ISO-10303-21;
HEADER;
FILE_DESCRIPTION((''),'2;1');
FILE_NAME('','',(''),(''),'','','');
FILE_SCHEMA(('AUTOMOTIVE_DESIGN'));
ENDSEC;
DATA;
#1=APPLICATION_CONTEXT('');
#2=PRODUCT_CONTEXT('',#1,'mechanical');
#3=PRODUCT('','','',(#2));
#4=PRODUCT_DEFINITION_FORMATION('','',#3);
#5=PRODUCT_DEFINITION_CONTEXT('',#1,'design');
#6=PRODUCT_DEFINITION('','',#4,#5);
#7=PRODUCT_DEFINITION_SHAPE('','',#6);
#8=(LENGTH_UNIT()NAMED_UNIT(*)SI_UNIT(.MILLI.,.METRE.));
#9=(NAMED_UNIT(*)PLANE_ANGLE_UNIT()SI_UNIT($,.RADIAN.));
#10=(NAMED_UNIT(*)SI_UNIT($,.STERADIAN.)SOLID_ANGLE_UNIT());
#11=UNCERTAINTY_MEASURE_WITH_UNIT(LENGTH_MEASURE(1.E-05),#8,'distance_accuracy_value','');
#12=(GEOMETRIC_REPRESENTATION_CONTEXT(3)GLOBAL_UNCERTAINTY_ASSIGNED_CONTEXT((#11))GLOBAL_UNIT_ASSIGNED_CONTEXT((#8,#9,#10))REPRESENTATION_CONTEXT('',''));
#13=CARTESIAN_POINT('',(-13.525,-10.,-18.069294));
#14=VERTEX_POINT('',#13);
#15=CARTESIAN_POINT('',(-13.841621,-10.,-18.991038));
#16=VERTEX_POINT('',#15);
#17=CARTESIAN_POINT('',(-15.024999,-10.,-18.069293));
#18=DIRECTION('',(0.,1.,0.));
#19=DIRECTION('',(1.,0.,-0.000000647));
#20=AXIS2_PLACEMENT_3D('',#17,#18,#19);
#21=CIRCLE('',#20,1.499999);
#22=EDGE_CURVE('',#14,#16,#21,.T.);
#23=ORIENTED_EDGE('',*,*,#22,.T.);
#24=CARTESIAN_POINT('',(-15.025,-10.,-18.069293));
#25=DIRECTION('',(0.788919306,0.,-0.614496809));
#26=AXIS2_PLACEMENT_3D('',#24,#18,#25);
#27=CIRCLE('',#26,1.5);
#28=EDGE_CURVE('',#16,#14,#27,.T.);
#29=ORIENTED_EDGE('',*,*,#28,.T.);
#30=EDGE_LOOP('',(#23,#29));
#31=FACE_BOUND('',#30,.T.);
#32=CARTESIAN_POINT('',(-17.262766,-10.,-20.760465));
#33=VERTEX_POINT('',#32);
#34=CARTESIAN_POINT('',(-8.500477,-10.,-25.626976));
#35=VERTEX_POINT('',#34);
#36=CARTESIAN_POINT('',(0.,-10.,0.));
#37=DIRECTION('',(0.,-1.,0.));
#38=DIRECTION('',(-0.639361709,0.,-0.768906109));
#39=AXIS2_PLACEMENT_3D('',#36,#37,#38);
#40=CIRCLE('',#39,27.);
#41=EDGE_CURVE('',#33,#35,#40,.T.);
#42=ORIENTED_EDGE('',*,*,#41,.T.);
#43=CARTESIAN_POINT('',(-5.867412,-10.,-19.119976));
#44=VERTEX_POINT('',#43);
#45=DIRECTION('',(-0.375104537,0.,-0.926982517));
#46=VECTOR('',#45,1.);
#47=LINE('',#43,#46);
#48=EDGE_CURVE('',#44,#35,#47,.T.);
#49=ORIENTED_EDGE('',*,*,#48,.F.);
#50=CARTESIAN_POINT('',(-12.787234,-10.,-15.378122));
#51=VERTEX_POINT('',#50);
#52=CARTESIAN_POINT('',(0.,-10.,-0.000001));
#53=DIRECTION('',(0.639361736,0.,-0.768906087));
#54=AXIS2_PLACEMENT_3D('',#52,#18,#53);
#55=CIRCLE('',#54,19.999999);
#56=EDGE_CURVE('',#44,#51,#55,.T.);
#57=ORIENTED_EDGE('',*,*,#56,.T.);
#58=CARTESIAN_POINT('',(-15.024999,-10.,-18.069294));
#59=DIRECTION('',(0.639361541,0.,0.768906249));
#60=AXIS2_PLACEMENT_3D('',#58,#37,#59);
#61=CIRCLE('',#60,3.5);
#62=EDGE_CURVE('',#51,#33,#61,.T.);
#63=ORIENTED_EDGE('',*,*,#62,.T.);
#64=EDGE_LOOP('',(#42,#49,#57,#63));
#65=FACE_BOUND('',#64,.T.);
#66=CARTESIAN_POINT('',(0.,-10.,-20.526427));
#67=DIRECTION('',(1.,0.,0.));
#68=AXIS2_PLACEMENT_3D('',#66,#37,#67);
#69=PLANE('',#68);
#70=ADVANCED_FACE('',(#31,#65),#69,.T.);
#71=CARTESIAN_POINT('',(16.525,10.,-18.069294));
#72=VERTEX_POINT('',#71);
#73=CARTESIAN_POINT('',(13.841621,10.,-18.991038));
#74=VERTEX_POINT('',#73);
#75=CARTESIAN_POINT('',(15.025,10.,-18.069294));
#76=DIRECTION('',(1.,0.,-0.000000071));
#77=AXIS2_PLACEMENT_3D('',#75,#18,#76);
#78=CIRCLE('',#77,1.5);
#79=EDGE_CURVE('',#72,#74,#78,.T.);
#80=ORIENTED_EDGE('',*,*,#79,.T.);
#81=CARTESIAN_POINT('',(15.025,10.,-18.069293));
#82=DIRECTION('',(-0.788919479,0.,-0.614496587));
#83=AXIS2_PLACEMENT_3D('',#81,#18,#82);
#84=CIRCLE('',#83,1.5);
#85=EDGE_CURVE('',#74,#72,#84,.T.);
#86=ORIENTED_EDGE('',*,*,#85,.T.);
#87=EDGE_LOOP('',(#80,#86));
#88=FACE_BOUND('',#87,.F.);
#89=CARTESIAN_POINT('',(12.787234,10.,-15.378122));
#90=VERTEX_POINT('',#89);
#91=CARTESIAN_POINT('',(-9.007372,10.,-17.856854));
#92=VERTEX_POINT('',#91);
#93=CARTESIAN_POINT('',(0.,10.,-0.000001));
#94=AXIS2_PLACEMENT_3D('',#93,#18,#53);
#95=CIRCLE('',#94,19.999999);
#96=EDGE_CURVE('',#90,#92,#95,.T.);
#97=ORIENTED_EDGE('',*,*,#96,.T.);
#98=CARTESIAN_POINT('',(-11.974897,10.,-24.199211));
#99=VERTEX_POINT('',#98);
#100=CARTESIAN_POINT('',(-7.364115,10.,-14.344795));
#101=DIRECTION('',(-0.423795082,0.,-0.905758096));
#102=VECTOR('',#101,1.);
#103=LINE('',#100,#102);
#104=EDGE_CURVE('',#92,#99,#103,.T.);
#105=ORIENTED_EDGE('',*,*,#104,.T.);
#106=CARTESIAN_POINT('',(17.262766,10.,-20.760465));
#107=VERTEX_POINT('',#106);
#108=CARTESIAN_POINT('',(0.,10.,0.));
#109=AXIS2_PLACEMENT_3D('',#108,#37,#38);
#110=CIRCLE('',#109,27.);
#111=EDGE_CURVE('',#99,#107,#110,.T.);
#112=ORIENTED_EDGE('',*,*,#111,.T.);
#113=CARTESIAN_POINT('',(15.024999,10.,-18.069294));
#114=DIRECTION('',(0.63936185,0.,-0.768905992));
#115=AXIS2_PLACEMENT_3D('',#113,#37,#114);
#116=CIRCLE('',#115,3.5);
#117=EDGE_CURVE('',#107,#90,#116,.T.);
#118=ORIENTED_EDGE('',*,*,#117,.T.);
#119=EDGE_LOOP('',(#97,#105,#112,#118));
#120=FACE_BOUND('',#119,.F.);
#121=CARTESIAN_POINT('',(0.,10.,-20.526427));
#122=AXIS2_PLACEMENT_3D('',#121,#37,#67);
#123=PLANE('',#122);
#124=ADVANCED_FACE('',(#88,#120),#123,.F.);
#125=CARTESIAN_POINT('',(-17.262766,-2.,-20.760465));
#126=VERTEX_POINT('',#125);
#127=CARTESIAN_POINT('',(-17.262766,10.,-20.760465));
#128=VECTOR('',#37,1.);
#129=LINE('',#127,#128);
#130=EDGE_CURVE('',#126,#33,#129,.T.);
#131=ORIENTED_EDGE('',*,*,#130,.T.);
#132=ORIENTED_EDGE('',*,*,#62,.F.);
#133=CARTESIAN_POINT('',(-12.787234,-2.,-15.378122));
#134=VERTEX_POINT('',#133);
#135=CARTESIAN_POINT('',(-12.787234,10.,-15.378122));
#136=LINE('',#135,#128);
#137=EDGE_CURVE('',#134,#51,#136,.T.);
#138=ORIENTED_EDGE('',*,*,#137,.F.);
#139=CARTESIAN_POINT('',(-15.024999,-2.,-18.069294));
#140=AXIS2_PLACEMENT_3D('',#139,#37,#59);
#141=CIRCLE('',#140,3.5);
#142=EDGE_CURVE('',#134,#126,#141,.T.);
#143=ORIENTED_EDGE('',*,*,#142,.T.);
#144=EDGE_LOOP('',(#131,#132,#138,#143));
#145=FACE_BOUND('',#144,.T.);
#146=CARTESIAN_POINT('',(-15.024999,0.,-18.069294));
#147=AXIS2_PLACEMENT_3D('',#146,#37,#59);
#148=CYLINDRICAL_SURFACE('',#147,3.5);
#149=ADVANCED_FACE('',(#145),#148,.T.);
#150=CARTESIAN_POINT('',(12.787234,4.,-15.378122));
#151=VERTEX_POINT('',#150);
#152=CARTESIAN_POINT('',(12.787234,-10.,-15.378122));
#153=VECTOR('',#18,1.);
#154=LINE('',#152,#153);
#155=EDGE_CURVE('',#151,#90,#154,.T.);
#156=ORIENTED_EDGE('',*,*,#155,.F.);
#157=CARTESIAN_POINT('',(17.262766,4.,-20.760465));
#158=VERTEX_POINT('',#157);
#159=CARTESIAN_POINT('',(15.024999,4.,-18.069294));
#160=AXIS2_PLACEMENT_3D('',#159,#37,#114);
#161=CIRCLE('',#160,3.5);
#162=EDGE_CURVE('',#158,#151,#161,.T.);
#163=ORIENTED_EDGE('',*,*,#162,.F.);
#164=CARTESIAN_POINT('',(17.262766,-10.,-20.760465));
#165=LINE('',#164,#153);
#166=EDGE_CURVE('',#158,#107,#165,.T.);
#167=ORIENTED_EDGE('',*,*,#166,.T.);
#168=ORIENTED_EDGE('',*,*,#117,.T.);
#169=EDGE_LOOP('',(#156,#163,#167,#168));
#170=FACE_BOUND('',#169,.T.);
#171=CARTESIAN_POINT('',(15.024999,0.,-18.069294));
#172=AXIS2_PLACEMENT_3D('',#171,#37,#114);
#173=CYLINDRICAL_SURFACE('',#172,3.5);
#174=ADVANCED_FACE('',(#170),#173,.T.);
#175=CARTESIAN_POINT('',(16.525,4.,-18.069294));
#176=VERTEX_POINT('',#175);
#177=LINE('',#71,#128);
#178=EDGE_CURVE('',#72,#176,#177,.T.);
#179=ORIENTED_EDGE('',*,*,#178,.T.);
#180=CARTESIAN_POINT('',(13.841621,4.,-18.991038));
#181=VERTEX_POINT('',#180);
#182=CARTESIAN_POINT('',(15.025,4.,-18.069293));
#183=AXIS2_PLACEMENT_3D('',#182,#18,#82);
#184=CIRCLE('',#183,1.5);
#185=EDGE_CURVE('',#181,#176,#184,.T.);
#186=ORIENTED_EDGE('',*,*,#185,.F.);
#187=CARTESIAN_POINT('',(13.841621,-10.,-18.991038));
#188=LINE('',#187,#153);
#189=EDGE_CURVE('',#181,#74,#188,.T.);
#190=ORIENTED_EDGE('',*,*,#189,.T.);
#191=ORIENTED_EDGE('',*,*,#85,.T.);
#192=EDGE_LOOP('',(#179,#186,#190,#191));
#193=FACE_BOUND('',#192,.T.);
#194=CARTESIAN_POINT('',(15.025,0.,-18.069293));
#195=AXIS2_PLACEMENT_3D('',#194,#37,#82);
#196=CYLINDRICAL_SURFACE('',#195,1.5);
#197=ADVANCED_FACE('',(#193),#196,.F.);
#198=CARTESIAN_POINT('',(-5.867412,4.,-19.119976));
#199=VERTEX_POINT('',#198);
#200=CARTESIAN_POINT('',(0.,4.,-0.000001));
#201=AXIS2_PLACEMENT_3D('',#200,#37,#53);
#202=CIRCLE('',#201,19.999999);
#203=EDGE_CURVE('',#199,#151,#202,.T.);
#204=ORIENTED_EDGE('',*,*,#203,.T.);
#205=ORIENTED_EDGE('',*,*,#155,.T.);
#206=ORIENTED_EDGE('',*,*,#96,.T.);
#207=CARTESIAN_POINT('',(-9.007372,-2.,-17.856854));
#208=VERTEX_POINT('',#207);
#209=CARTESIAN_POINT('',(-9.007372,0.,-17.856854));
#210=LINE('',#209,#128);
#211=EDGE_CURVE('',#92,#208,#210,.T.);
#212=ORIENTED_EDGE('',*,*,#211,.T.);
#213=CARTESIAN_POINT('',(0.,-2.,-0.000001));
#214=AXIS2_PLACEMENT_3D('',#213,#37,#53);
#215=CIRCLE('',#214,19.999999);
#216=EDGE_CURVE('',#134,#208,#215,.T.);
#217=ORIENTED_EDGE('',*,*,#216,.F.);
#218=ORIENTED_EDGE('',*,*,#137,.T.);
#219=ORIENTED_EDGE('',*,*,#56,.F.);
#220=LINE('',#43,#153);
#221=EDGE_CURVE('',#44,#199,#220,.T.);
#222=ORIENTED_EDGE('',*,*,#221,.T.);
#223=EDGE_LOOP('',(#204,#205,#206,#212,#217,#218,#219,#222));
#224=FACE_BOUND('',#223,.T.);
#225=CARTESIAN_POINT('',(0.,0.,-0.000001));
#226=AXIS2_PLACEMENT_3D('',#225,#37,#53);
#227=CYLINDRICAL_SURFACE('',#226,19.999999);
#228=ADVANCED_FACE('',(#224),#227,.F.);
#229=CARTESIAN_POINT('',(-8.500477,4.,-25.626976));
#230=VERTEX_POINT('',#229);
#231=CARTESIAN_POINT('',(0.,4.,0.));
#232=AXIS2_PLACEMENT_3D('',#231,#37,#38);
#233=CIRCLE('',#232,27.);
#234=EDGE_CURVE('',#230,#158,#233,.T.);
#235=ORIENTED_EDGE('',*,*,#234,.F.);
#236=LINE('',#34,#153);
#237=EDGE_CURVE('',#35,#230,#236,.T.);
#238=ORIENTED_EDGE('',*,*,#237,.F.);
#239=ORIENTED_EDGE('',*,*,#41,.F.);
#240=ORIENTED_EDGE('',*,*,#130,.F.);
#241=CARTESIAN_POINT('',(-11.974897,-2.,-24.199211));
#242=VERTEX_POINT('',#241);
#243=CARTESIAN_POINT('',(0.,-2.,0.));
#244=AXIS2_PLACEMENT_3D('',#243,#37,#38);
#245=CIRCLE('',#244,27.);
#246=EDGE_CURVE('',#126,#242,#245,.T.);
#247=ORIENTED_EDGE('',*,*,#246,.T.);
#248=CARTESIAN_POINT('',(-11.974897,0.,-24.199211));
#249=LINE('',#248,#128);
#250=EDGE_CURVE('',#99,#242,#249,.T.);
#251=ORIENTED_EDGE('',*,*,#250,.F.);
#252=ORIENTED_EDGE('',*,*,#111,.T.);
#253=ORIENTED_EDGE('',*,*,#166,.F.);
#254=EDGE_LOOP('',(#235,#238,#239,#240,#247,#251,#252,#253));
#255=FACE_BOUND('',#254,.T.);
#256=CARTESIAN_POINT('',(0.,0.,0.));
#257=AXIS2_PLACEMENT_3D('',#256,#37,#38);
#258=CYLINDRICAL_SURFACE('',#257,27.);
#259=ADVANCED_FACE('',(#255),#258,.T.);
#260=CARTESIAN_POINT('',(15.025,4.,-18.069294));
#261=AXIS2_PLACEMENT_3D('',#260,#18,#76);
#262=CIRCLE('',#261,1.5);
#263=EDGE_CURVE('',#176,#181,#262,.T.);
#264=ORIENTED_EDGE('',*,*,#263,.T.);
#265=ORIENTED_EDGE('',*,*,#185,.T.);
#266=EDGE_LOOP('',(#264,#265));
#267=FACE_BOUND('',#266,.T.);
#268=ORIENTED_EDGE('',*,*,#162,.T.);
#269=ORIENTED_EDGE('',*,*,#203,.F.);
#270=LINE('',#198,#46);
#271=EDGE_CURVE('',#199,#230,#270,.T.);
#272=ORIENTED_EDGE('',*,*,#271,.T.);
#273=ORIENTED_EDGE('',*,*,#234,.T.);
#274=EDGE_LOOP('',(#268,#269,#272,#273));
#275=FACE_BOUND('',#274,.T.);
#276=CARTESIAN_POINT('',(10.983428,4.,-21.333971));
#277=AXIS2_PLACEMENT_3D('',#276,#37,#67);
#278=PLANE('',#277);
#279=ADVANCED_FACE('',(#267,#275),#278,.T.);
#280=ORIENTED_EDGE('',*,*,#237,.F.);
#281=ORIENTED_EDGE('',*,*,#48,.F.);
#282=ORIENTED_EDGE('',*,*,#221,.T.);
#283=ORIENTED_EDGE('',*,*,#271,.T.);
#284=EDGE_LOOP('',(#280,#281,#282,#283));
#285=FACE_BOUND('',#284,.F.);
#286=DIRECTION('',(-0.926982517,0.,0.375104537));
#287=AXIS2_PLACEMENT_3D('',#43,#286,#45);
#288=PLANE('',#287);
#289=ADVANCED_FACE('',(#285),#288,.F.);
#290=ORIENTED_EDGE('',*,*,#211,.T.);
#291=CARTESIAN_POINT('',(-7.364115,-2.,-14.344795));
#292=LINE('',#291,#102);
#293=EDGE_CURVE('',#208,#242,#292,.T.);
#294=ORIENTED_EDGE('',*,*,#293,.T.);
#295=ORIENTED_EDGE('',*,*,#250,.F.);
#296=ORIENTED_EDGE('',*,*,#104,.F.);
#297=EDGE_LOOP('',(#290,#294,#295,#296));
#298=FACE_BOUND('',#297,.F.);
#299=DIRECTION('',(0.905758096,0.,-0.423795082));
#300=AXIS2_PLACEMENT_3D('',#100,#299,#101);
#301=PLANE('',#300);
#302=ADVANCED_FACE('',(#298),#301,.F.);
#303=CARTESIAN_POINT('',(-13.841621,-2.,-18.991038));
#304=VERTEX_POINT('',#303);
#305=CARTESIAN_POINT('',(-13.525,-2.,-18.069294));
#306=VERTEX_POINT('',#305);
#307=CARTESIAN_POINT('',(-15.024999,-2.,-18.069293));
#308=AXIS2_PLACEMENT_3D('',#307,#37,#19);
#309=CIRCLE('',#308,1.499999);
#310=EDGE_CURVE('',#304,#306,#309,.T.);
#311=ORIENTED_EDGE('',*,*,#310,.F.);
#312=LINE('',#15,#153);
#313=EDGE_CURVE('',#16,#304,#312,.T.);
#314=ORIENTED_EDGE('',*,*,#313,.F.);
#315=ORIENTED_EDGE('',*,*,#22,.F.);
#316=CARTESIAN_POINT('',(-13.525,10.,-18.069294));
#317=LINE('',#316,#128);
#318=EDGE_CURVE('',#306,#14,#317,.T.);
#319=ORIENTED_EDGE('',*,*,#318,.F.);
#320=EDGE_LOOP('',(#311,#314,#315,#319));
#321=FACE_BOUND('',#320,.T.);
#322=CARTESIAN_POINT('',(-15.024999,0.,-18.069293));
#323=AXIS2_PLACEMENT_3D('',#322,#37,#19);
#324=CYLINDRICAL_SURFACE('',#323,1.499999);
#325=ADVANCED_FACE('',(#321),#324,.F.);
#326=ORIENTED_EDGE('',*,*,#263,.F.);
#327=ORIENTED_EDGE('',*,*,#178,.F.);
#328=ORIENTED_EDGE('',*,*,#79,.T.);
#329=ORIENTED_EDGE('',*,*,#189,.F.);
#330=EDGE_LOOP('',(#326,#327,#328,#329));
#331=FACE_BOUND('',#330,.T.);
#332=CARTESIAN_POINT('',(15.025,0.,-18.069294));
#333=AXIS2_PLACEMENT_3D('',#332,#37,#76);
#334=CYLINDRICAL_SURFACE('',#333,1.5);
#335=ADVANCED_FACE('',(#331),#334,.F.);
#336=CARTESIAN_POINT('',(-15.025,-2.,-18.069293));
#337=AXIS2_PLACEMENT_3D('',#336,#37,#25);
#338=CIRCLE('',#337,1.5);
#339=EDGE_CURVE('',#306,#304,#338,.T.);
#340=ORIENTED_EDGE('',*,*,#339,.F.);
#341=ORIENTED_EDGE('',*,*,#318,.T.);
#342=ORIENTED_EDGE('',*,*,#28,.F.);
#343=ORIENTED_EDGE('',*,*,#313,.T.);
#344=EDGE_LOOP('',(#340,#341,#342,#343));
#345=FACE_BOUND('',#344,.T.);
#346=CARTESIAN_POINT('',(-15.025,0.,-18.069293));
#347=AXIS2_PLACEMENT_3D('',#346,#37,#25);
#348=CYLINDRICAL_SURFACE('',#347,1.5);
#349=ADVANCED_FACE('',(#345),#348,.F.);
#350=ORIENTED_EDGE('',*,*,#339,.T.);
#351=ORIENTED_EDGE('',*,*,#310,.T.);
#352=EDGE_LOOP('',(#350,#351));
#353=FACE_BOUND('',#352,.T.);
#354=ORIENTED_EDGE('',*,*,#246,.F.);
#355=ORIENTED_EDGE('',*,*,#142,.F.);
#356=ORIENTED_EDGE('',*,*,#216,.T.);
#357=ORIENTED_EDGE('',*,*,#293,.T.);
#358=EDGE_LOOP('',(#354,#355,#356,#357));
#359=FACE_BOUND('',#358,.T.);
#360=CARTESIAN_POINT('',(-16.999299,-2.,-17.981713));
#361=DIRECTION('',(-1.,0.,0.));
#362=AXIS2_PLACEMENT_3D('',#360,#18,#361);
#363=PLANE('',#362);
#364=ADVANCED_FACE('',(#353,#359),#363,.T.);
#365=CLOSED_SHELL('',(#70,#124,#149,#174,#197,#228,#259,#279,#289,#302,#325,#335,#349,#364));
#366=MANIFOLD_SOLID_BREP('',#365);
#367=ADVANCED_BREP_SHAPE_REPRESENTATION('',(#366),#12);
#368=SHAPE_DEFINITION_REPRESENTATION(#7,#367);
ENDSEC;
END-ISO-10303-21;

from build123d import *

# Parameters (mm, degrees)
F1_DEPTH = 10
F3_DEPTH = 14
F5_DEPTH = 12


with BuildPart() as f1:
    # F0 (on Front) → F1 (new body, symmetric)
    with BuildSketch(Plane.XZ):
        with BuildLine():
            ThreePointArc((12.787234, -15.378122), (0, -20), (-12.787234, -15.378122))
            ThreePointArc((-12.787234, -15.378122), (-17.716171, -15.831528), (-17.262766, -20.760465))
            ThreePointArc((-17.262766, -20.760465), (0, -27), (17.262766, -20.760465))
            ThreePointArc((17.262766, -20.760465), (17.716171, -15.831528), (12.787234, -15.378122))
        make_face()
        with BuildLine():
            ThreePointArc((-13.525, -18.069294), (-13.606362, -18.556598), (-13.841621, -18.991038))
            ThreePointArc((-13.841621, -18.991038), (-16.443638, -17.581989), (-13.525, -18.069294))
        make_face(mode=Mode.SUBTRACT)
        with BuildLine():
            ThreePointArc((16.525, -18.069294), (15.512304, -19.487932), (13.841621, -18.991038))
            ThreePointArc((13.841621, -18.991038), (14.537696, -16.650655), (16.525, -18.069294))
        make_face(mode=Mode.SUBTRACT)
    extrude(amount=F1_DEPTH, both=True)

    # F2 (on face) → F3 (cut)
    with BuildSketch(Plane.XZ.offset(10)):
        with BuildLine():
            Line((31.764954, -10.083012), (-3.385311, -12.986047))
            Line((-3.385311, -12.986047), (-5.867412, -19.119976))
            ThreePointArc((-5.867412, -19.119976), (3.933364, -19.609402), (12.787234, -15.378122))
            ThreePointArc((12.787234, -15.378122), (17.716171, -15.831528), (17.262766, -20.760465))
            ThreePointArc((17.262766, -20.760465), (5.011502, -26.530828), (-8.500477, -25.626976))
            Line((-8.500477, -25.626976), (-10.211368, -29.855039))
            Line((-10.211368, -29.855039), (28.234236, -31.502709))
            Line((28.234236, -31.502709), (31.764954, -10.083012))
        make_face()
        with BuildLine():
            ThreePointArc((12.787234, -15.378122), (3.933364, -19.609402), (-5.867412, -19.119976))
            Line((-5.867412, -19.119976), (-8.500477, -25.626976))
            ThreePointArc((-8.500477, -25.626976), (5.011502, -26.530828), (17.262766, -20.760465))
            ThreePointArc((17.262766, -20.760465), (17.716171, -15.831528), (12.787234, -15.378122))
        make_face()
        with BuildLine():
            ThreePointArc((13.841621, -18.991038), (14.537696, -16.650655), (16.525, -18.069294))
            ThreePointArc((16.525, -18.069294), (15.512304, -19.487932), (13.841621, -18.991038))
        make_face(mode=Mode.SUBTRACT)
    extrude(amount=-F3_DEPTH, mode=Mode.SUBTRACT)

    # F4 (on face) → F5 (cut)
    with BuildSketch(Plane(origin=(0, 10, 0), x_dir=(-1, 0, 0), z_dir=(0, 1, 0))):
        Polygon((7.364115, -14.344795), (13.547452, -27.560162), (28.157102, -12.950514), align=None)
    extrude(amount=-F5_DEPTH, mode=Mode.SUBTRACT)


solid = f1.part
